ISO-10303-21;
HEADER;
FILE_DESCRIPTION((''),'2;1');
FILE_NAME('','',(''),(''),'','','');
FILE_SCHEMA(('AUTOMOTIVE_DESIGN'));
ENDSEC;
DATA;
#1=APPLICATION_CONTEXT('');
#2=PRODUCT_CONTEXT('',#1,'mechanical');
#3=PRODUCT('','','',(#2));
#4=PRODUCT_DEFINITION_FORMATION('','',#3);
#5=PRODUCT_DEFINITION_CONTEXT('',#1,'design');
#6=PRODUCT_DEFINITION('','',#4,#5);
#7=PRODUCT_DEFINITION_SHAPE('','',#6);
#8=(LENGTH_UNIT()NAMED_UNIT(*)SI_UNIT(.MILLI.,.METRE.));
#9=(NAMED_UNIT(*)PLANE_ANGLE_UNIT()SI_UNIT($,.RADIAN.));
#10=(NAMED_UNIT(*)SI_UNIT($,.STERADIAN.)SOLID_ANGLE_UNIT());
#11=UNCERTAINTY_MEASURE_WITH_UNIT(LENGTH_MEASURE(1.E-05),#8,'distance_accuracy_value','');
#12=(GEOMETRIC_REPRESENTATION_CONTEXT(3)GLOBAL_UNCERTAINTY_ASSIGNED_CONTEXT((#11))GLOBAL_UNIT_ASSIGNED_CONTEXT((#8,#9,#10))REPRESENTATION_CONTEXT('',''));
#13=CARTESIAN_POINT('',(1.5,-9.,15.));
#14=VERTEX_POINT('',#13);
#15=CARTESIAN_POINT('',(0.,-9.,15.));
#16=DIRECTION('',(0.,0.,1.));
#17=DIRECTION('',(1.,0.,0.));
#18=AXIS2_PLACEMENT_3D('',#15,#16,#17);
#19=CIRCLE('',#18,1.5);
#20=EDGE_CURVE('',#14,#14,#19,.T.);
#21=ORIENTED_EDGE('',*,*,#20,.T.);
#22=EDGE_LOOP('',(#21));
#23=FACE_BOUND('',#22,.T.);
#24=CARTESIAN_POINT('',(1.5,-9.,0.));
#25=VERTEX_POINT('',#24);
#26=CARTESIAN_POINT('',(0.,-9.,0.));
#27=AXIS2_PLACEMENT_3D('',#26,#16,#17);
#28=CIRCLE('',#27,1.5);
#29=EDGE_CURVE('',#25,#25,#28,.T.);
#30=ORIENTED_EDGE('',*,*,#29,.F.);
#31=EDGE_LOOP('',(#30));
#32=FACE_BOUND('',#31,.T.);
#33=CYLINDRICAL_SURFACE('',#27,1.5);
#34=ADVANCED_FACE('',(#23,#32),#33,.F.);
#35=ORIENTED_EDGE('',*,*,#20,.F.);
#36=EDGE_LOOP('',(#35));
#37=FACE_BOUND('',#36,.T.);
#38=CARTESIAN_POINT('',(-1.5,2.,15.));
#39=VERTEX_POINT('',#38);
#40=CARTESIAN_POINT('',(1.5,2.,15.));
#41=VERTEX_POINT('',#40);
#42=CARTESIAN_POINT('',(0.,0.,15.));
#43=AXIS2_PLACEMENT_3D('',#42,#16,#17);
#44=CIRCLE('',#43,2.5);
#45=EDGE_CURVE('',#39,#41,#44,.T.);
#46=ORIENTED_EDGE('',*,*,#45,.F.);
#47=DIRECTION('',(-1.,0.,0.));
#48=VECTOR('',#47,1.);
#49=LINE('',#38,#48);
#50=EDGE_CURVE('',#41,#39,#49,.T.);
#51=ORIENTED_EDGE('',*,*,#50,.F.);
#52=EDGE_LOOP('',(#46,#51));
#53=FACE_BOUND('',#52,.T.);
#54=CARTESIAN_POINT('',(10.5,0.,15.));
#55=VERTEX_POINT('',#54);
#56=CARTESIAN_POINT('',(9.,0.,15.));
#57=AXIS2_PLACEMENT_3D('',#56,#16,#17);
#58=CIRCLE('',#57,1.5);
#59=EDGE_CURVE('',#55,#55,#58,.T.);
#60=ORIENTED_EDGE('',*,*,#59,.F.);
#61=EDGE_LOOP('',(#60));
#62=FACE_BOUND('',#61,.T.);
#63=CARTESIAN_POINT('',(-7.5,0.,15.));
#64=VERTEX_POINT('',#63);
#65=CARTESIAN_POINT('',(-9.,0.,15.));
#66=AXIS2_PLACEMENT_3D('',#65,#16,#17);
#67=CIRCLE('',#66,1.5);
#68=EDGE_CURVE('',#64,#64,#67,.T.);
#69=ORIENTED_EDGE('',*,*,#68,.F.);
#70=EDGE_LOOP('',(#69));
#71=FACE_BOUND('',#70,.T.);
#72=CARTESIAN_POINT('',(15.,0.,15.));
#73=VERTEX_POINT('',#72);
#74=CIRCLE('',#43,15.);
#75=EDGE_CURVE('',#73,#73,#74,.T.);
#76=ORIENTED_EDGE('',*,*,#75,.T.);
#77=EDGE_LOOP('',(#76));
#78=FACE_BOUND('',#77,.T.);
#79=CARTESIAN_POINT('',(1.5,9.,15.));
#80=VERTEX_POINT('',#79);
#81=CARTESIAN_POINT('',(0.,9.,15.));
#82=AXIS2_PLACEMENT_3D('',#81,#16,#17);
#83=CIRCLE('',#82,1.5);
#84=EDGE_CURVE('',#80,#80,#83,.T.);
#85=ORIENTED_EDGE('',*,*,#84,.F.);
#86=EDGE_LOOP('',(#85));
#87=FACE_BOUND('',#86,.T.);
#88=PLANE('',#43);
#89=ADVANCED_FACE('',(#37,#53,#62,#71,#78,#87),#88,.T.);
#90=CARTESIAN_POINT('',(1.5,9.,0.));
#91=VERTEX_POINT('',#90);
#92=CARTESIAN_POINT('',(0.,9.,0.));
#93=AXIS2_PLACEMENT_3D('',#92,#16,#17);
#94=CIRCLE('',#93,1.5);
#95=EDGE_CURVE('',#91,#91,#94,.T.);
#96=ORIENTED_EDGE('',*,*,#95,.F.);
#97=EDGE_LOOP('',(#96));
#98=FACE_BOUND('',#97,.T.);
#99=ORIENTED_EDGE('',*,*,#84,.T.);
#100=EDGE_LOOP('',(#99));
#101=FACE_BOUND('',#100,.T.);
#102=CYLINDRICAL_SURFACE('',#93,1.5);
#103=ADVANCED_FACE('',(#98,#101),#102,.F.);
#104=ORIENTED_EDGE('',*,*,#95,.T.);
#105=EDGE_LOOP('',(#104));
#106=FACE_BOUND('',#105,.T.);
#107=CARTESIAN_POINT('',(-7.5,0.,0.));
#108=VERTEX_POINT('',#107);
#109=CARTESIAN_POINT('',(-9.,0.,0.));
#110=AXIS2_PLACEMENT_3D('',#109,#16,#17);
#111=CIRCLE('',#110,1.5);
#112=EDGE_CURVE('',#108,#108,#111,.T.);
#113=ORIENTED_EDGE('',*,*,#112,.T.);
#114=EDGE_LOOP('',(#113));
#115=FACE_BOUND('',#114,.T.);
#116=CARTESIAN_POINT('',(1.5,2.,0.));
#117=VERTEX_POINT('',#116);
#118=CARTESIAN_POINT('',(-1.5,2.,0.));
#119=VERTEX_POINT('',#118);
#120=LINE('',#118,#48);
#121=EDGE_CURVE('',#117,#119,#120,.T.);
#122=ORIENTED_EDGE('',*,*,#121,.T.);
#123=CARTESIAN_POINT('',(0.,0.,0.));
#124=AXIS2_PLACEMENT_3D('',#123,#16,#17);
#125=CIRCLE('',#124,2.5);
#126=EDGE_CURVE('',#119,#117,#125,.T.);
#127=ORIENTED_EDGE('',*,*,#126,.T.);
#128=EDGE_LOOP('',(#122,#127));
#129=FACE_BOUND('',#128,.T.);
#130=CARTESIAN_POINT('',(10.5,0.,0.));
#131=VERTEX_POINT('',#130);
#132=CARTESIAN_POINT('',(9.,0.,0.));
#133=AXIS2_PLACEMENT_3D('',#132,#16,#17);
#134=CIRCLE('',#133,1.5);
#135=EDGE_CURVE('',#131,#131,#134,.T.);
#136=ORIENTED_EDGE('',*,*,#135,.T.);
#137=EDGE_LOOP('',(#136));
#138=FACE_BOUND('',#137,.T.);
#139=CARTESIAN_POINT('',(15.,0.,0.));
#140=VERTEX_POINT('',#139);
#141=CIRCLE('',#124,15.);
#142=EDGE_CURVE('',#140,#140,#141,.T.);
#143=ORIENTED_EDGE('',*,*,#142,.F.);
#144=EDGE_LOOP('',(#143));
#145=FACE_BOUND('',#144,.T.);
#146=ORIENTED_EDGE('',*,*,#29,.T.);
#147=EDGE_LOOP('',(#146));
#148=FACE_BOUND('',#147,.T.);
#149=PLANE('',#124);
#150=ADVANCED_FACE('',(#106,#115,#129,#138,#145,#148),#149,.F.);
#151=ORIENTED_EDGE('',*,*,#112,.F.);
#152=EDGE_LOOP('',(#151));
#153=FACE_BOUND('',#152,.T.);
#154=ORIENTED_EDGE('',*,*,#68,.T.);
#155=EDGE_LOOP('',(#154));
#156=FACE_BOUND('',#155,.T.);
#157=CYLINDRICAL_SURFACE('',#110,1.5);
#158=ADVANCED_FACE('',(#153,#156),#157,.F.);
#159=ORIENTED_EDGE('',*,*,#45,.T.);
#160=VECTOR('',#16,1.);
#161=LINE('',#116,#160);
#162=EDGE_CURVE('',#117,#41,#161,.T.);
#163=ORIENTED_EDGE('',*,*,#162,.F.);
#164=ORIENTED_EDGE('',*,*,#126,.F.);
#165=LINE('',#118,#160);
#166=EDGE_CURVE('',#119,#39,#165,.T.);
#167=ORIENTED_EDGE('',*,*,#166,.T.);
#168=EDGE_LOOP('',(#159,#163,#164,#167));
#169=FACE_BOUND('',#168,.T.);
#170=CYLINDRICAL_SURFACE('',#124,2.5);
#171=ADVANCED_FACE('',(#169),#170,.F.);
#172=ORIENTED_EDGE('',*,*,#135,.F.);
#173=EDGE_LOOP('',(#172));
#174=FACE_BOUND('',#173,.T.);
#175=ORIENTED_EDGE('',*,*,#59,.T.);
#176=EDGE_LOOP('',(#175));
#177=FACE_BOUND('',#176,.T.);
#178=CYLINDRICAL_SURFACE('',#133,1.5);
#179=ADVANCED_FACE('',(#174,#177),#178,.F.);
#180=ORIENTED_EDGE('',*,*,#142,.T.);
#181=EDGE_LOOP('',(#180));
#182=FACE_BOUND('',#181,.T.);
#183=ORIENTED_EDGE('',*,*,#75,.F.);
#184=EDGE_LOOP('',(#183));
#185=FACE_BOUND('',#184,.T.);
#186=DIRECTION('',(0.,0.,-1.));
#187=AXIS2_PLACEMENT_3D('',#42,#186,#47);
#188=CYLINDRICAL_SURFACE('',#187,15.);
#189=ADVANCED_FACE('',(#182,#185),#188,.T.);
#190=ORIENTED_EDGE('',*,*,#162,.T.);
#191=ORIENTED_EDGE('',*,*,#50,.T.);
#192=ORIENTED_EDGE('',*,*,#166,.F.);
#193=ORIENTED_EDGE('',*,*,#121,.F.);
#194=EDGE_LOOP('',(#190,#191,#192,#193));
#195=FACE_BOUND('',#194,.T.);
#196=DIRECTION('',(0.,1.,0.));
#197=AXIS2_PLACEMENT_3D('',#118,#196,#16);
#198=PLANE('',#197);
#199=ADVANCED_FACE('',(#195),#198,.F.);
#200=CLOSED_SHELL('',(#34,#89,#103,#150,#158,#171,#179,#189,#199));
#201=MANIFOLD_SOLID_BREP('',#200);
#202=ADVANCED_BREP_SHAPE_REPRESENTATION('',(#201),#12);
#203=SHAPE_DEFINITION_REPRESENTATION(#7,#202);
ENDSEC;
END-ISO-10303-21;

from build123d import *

# Parameters (mm, degrees)
SKETCH1_R           = 15
BOSS_EXTRUDE1_DEPTH = 15
CUT_EXTRUDE1_DEPTH  = 15
SKETCH3_R           = 1.5
CUT_EXTRUDE2_DEPTH  = 15


with BuildPart() as part:
    # Sketch1 → Boss-Extrude1 (new body)
    with BuildSketch(Plane.XY):
        Circle(SKETCH1_R)
    extrude(amount=BOSS_EXTRUDE1_DEPTH)

    # Sketch2 → Cut-Extrude1 (cut)
    with BuildSketch(Plane.XY.offset(15)):
        with BuildLine():
            Line((-1.5, 2), (1.5, 2))
            ThreePointArc((1.5, 2), (0, -2.5), (-1.5, 2))
        make_face()
    extrude(amount=-CUT_EXTRUDE1_DEPTH, mode=Mode.SUBTRACT)

    # Sketch3 → Cut-Extrude2 (cut)
    with BuildSketch(Plane.XY.offset(15)):
        with Locations((0, 9)):
            Circle(SKETCH3_R)
        with Locations((9, 0)):
            Circle(SKETCH3_R)
        with Locations((0, -9)):
            Circle(SKETCH3_R)
        with Locations((-9, 0)):
            Circle(SKETCH3_R)
    extrude(amount=-CUT_EXTRUDE2_DEPTH, mode=Mode.SUBTRACT)


solid = part.part
